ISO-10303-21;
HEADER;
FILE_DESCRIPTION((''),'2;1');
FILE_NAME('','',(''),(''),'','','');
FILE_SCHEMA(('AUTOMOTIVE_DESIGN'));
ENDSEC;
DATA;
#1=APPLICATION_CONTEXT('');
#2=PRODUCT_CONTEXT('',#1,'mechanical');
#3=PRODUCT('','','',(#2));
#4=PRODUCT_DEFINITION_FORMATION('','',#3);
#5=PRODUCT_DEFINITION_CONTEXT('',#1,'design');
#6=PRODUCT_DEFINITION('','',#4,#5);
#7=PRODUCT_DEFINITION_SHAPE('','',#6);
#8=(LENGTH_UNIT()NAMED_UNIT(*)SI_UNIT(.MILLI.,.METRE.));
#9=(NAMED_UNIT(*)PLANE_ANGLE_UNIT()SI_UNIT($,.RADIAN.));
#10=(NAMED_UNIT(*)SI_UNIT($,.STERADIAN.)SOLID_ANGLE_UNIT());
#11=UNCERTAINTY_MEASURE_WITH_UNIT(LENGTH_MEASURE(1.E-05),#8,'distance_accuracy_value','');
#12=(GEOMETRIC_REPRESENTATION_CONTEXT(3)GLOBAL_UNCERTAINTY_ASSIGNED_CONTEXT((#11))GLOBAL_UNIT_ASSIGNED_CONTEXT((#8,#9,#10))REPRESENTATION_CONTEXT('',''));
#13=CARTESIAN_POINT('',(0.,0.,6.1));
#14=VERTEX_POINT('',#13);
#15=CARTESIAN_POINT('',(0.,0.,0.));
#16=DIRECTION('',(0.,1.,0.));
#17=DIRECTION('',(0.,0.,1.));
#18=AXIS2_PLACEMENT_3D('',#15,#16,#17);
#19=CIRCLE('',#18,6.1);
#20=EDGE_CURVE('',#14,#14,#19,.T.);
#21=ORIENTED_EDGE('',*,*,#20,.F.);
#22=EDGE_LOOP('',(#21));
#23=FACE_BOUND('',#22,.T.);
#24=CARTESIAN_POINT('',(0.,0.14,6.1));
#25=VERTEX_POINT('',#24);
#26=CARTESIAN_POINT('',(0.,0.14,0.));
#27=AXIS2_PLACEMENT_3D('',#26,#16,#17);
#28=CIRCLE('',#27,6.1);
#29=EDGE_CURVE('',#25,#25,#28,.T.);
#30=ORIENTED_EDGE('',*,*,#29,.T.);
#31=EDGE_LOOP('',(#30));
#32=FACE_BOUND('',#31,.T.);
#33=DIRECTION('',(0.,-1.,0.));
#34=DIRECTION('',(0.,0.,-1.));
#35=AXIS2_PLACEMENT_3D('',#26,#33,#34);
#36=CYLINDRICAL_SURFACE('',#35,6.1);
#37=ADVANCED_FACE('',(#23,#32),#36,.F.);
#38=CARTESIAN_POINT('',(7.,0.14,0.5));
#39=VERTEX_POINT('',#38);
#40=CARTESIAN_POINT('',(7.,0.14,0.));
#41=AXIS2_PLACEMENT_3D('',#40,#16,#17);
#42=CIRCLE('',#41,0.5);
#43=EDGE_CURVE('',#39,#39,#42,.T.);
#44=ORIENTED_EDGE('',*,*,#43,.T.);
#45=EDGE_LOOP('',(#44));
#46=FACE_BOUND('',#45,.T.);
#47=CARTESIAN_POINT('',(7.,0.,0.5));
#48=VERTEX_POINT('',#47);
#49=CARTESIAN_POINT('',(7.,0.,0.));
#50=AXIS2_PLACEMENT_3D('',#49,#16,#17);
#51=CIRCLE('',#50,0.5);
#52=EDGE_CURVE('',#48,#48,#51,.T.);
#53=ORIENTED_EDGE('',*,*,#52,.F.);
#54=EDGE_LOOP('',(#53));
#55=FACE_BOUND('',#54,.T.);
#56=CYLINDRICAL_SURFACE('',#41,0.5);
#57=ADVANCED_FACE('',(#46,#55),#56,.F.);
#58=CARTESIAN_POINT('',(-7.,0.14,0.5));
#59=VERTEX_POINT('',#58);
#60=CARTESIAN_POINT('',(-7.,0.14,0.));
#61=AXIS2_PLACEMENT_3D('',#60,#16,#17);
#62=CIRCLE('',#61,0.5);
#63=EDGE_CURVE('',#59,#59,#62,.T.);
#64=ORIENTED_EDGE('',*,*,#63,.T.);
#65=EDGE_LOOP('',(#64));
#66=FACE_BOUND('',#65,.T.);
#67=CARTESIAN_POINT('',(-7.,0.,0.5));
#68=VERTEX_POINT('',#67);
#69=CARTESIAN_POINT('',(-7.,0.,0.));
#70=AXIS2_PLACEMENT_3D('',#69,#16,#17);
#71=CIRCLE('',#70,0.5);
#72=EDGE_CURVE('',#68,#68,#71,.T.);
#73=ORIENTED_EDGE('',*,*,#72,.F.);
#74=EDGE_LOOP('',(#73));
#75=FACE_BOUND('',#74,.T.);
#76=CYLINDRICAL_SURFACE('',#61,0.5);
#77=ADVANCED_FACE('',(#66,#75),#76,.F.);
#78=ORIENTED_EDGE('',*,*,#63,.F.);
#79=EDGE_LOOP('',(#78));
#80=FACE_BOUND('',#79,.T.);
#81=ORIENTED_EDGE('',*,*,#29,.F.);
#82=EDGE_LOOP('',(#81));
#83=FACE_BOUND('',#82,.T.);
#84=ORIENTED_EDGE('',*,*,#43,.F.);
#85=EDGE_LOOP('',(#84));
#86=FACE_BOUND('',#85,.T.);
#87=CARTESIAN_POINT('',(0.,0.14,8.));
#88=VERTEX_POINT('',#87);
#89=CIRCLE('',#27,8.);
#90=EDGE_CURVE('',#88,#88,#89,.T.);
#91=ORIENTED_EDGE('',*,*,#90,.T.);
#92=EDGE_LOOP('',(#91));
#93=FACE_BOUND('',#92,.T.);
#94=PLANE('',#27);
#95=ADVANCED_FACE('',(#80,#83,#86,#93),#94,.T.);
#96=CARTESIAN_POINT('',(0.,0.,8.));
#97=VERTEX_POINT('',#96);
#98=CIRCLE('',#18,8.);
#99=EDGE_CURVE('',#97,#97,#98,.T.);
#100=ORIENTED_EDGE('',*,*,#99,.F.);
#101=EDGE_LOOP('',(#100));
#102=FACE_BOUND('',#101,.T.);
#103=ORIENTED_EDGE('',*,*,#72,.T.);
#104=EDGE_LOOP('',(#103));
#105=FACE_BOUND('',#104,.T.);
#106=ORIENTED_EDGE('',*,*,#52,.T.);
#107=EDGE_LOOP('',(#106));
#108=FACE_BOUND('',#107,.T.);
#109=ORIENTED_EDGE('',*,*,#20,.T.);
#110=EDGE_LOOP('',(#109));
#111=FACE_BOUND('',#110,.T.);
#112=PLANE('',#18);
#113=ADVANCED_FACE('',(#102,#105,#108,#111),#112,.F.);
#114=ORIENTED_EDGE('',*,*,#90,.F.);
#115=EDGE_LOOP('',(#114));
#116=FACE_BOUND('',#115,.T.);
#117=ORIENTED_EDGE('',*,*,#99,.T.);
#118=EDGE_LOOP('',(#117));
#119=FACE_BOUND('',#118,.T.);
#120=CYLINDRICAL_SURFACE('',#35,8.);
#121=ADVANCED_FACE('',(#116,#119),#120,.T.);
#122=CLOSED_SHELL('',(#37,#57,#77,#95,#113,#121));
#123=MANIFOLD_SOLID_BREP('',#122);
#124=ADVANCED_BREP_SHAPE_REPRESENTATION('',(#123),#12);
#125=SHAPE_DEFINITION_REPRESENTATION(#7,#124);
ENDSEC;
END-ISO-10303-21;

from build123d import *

# Parameters (mm, degrees)
SKETCH1_R                    = 8
SKETCH1_R_2                  = 6.1
BOSS_EXTRUDE1_DEPTH          = 0.14
F_1_0_1_DIAMETER_HOLE1_D     = 1
F_1_0_1_DIAMETER_HOLE1_DEPTH = 0.14


with BuildPart() as part:
    # Sketch1 → Boss-Extrude1 (new body)
    with BuildSketch(Plane(origin=(0, 0, 0), x_dir=(1, 0, 0), z_dir=(0, 1, 0))):
        Circle(SKETCH1_R)
        Circle(SKETCH1_R_2, mode=Mode.SUBTRACT)
    extrude(amount=BOSS_EXTRUDE1_DEPTH)

    # Ø1.0 (1) Diameter Hole1
    with Locations(Plane(origin=(0, 0.14, 0), x_dir=(1, 0, 0), z_dir=(0, 1, 0))):
        with Locations((-7, 0), (7, 0)):
            Hole(F_1_0_1_DIAMETER_HOLE1_D / 2, depth=F_1_0_1_DIAMETER_HOLE1_DEPTH)


solid = part.part
